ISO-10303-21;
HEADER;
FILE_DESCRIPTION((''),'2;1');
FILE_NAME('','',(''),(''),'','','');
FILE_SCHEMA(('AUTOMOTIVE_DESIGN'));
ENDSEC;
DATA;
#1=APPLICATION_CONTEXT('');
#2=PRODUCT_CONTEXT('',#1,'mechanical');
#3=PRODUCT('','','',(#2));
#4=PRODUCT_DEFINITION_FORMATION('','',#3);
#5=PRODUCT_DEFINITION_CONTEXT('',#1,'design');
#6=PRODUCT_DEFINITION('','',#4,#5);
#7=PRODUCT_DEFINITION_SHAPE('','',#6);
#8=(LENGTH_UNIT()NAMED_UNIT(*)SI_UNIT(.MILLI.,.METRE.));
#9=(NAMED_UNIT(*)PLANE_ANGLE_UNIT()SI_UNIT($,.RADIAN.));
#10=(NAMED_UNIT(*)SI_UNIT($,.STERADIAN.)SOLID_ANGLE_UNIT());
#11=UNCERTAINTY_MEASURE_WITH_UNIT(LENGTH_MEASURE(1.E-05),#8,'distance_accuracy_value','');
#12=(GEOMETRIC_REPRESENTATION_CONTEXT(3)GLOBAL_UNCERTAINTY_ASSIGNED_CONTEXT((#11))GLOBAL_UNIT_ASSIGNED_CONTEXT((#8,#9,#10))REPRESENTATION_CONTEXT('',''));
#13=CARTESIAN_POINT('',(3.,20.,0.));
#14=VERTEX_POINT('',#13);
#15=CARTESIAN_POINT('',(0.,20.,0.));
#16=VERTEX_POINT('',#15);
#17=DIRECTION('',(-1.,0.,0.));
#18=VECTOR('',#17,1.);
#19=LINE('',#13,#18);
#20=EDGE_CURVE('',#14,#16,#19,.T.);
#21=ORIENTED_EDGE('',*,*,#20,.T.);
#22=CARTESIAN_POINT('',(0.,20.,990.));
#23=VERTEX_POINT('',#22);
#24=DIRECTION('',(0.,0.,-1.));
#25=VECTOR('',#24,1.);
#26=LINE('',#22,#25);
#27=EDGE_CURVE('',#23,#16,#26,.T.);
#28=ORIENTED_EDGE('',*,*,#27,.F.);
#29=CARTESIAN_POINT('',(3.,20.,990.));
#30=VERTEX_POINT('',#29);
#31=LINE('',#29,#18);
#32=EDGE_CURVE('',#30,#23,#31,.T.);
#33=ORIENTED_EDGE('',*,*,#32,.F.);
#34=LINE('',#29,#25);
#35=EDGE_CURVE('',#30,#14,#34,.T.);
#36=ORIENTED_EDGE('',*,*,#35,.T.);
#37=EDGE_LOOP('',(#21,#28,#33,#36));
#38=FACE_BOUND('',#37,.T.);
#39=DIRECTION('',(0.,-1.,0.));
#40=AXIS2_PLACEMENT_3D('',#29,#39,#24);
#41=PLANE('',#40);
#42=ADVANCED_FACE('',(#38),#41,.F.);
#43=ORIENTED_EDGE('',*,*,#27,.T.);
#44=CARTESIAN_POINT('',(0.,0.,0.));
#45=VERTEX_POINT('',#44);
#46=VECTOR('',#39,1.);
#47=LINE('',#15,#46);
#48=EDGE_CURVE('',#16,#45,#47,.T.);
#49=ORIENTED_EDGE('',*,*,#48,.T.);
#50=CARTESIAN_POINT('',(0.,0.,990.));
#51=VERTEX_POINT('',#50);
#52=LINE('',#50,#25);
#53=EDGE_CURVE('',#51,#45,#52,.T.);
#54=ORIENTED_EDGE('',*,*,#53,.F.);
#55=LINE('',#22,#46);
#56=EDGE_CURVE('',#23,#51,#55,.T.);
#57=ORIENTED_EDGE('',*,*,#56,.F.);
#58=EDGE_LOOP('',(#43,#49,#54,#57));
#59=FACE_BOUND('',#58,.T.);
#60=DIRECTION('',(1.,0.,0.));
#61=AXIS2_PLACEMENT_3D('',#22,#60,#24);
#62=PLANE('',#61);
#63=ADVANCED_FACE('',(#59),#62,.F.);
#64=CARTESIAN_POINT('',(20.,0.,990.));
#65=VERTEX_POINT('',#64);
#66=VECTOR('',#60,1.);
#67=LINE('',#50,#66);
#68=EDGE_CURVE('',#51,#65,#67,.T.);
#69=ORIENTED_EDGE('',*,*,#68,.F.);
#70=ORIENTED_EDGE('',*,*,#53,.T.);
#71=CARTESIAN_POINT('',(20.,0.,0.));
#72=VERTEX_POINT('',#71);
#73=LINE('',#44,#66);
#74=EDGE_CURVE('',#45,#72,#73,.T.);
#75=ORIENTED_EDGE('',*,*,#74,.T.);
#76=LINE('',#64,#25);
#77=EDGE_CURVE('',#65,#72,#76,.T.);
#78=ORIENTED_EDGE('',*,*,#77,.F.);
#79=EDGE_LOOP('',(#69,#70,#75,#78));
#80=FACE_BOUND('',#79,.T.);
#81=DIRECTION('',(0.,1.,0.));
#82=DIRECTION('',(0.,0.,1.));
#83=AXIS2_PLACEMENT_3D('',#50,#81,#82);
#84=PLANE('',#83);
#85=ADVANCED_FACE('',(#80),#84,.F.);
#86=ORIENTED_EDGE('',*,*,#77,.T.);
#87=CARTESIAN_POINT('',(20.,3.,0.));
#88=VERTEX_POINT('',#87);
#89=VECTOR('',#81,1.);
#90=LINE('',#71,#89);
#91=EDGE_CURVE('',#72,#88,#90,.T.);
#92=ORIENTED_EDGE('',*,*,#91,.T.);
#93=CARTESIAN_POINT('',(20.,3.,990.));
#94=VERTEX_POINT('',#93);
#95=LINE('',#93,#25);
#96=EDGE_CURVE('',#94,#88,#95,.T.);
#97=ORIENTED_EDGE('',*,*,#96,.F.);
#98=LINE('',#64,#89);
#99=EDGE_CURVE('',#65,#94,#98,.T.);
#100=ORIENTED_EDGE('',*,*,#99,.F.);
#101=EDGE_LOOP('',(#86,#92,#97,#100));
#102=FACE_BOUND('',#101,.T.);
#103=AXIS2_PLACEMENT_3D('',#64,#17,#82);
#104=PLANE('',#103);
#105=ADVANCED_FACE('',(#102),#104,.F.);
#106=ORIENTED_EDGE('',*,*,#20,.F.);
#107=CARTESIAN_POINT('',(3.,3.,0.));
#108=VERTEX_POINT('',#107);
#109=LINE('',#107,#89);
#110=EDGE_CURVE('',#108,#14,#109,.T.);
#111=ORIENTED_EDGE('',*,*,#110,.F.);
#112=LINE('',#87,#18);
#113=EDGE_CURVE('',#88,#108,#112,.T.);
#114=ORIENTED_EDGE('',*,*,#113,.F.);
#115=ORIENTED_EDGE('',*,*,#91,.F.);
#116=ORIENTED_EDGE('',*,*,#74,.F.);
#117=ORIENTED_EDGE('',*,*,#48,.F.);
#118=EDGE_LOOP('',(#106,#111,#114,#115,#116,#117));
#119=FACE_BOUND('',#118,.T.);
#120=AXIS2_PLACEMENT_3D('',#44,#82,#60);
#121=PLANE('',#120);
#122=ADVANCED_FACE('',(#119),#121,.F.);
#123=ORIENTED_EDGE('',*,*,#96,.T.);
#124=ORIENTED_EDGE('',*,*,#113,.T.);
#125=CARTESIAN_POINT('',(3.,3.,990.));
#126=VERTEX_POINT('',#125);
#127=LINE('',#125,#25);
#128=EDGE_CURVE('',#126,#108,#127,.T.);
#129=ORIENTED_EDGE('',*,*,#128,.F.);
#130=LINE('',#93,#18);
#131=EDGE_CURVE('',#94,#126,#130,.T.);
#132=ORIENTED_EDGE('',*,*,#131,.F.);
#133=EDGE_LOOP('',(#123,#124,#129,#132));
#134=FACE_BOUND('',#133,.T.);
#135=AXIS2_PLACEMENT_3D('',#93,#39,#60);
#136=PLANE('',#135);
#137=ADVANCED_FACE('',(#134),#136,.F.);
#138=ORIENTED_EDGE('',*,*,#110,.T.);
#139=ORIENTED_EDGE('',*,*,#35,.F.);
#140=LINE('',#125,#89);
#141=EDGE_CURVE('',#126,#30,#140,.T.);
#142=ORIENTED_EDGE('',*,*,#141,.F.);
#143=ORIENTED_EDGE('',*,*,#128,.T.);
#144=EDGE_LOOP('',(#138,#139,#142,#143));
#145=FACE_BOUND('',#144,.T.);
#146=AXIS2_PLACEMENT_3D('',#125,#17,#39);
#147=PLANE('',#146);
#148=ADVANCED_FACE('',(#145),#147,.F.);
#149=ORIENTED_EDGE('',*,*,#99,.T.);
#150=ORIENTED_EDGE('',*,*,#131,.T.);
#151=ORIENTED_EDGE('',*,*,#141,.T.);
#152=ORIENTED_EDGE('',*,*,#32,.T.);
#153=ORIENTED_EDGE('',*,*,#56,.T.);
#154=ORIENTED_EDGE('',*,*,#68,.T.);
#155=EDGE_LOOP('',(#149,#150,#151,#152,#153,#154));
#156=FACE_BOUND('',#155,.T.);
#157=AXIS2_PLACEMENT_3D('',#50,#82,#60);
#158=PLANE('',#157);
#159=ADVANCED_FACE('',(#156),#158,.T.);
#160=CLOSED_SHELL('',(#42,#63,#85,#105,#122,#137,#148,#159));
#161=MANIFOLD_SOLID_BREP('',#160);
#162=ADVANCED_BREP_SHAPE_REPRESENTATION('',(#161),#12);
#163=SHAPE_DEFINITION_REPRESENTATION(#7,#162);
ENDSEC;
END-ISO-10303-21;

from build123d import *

# Parameters (mm, degrees)
BOSS_EXTRUDE1_DEPTH = 990


with BuildPart() as part:
    # Sketch1 → Boss-Extrude1 (new body)
    with BuildSketch(Plane.XY):
        Polygon((0, 20), (0, 0), (20, 0), (20, 3), (3, 3), (3, 20), align=None)
    extrude(amount=BOSS_EXTRUDE1_DEPTH)


solid = part.part
